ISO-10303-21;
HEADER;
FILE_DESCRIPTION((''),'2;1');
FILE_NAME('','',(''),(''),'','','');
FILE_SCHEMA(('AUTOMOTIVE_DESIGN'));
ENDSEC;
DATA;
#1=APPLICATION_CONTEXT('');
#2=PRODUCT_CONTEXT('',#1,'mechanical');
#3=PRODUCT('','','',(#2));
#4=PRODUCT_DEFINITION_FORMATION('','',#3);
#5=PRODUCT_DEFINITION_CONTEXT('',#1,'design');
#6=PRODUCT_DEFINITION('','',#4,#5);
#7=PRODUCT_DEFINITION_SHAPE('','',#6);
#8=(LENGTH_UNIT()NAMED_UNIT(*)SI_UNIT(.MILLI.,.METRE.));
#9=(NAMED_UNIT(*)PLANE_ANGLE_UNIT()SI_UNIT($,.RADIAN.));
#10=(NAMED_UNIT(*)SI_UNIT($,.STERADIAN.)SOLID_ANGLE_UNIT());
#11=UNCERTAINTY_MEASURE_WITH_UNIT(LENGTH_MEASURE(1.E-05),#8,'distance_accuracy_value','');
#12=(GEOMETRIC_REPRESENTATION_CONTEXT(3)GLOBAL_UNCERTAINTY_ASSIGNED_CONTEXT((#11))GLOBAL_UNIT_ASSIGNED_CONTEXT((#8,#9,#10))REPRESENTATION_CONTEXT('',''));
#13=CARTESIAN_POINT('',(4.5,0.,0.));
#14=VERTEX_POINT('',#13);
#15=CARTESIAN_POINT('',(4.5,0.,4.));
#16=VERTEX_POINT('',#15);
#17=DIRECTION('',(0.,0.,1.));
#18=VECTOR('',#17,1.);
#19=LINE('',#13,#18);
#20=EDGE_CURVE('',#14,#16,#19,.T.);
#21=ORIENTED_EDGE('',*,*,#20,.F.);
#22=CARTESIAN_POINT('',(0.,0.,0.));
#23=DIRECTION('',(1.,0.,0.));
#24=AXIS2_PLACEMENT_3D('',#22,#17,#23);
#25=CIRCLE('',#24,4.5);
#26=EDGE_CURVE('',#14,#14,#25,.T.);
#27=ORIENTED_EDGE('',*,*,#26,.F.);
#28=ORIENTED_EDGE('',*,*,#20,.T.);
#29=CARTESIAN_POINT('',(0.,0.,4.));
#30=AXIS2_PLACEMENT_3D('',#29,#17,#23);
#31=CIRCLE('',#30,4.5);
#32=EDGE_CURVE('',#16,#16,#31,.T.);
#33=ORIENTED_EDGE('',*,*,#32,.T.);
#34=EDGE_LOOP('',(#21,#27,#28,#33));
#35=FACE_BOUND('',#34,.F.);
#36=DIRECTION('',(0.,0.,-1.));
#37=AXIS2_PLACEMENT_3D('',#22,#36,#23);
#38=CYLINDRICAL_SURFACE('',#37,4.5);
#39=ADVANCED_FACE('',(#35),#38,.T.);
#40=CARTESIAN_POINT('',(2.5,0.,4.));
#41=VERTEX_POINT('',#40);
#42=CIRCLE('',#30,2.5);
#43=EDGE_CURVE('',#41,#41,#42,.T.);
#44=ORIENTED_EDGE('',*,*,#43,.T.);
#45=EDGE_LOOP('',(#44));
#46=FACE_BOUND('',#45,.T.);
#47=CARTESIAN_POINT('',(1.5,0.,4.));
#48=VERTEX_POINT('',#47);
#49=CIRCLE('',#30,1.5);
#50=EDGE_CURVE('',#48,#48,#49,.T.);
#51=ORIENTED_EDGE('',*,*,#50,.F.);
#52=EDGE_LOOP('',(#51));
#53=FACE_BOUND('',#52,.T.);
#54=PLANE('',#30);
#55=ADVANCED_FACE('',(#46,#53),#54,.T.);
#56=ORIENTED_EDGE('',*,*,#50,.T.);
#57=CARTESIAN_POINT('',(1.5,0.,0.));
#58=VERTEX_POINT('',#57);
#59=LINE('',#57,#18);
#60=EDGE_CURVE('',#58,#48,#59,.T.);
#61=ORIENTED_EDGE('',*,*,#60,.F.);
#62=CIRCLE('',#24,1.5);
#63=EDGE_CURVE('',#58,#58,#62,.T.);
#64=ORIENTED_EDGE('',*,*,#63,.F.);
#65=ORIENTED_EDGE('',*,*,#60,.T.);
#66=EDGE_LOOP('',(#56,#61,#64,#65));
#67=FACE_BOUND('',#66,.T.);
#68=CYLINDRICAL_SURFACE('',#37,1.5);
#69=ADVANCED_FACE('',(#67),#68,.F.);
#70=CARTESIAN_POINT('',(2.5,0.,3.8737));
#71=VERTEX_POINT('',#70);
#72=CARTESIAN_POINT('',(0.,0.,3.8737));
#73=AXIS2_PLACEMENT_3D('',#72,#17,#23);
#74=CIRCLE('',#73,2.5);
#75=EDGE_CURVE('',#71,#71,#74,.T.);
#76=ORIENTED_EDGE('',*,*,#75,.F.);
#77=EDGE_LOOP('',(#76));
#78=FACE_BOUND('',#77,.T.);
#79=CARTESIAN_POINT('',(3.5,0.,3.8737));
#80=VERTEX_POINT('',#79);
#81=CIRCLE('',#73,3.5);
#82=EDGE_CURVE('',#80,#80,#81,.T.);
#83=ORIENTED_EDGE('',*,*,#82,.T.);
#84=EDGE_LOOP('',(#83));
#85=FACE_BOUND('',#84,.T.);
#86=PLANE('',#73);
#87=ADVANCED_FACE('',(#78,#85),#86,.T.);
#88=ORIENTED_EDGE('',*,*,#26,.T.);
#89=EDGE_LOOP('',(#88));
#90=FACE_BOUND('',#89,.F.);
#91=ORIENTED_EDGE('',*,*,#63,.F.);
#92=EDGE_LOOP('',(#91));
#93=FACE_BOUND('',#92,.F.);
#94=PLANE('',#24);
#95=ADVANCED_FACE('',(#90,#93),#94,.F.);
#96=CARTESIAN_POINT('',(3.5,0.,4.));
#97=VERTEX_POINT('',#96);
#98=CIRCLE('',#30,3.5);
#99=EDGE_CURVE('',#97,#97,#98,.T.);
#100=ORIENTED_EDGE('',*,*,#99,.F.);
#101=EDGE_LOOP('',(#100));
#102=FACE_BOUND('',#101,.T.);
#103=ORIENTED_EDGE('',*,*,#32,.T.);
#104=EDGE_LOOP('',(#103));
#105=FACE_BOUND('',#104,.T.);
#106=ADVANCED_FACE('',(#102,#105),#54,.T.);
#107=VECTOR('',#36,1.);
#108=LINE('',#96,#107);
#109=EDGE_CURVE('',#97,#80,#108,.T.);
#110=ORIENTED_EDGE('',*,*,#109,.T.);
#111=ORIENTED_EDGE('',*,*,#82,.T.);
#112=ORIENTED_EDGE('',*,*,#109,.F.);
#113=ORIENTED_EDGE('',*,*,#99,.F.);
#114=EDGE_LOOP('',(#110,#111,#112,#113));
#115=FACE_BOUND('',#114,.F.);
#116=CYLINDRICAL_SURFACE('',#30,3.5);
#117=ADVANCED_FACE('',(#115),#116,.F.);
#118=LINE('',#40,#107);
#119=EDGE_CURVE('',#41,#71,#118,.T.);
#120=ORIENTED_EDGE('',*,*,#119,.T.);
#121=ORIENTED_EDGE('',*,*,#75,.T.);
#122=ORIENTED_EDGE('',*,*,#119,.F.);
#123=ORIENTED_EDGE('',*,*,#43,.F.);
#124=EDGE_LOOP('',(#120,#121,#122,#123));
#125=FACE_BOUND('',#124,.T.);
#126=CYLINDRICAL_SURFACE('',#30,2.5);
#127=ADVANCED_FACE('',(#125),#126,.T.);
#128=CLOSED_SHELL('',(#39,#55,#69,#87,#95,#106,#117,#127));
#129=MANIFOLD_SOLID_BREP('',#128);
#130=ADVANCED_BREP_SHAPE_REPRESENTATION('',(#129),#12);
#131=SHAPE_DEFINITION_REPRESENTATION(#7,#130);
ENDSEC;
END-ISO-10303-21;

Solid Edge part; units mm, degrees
sketch "Sketch1" plane through (0, 0, 0) normal (0, 0, 1) x (1, 0, 0)
  circle A0 centre (0, 0) radius 4.5
  circle A1 centre (0, 0) radius 1.5
extrude "Protrusion1" add sketch "Sketch1" along normal blind 4
sketch "Sketch2" plane through (0, 0, 4) normal (0, 0, 1) x (1, 0, 0)
  circle A0 centre (0, 0) radius 2.5
  circle A1 centre (0, 0) radius 3.5
extrude "ExtrudedCutout_1" cut sketch "Sketch2" along normal mid plane 0.2526
